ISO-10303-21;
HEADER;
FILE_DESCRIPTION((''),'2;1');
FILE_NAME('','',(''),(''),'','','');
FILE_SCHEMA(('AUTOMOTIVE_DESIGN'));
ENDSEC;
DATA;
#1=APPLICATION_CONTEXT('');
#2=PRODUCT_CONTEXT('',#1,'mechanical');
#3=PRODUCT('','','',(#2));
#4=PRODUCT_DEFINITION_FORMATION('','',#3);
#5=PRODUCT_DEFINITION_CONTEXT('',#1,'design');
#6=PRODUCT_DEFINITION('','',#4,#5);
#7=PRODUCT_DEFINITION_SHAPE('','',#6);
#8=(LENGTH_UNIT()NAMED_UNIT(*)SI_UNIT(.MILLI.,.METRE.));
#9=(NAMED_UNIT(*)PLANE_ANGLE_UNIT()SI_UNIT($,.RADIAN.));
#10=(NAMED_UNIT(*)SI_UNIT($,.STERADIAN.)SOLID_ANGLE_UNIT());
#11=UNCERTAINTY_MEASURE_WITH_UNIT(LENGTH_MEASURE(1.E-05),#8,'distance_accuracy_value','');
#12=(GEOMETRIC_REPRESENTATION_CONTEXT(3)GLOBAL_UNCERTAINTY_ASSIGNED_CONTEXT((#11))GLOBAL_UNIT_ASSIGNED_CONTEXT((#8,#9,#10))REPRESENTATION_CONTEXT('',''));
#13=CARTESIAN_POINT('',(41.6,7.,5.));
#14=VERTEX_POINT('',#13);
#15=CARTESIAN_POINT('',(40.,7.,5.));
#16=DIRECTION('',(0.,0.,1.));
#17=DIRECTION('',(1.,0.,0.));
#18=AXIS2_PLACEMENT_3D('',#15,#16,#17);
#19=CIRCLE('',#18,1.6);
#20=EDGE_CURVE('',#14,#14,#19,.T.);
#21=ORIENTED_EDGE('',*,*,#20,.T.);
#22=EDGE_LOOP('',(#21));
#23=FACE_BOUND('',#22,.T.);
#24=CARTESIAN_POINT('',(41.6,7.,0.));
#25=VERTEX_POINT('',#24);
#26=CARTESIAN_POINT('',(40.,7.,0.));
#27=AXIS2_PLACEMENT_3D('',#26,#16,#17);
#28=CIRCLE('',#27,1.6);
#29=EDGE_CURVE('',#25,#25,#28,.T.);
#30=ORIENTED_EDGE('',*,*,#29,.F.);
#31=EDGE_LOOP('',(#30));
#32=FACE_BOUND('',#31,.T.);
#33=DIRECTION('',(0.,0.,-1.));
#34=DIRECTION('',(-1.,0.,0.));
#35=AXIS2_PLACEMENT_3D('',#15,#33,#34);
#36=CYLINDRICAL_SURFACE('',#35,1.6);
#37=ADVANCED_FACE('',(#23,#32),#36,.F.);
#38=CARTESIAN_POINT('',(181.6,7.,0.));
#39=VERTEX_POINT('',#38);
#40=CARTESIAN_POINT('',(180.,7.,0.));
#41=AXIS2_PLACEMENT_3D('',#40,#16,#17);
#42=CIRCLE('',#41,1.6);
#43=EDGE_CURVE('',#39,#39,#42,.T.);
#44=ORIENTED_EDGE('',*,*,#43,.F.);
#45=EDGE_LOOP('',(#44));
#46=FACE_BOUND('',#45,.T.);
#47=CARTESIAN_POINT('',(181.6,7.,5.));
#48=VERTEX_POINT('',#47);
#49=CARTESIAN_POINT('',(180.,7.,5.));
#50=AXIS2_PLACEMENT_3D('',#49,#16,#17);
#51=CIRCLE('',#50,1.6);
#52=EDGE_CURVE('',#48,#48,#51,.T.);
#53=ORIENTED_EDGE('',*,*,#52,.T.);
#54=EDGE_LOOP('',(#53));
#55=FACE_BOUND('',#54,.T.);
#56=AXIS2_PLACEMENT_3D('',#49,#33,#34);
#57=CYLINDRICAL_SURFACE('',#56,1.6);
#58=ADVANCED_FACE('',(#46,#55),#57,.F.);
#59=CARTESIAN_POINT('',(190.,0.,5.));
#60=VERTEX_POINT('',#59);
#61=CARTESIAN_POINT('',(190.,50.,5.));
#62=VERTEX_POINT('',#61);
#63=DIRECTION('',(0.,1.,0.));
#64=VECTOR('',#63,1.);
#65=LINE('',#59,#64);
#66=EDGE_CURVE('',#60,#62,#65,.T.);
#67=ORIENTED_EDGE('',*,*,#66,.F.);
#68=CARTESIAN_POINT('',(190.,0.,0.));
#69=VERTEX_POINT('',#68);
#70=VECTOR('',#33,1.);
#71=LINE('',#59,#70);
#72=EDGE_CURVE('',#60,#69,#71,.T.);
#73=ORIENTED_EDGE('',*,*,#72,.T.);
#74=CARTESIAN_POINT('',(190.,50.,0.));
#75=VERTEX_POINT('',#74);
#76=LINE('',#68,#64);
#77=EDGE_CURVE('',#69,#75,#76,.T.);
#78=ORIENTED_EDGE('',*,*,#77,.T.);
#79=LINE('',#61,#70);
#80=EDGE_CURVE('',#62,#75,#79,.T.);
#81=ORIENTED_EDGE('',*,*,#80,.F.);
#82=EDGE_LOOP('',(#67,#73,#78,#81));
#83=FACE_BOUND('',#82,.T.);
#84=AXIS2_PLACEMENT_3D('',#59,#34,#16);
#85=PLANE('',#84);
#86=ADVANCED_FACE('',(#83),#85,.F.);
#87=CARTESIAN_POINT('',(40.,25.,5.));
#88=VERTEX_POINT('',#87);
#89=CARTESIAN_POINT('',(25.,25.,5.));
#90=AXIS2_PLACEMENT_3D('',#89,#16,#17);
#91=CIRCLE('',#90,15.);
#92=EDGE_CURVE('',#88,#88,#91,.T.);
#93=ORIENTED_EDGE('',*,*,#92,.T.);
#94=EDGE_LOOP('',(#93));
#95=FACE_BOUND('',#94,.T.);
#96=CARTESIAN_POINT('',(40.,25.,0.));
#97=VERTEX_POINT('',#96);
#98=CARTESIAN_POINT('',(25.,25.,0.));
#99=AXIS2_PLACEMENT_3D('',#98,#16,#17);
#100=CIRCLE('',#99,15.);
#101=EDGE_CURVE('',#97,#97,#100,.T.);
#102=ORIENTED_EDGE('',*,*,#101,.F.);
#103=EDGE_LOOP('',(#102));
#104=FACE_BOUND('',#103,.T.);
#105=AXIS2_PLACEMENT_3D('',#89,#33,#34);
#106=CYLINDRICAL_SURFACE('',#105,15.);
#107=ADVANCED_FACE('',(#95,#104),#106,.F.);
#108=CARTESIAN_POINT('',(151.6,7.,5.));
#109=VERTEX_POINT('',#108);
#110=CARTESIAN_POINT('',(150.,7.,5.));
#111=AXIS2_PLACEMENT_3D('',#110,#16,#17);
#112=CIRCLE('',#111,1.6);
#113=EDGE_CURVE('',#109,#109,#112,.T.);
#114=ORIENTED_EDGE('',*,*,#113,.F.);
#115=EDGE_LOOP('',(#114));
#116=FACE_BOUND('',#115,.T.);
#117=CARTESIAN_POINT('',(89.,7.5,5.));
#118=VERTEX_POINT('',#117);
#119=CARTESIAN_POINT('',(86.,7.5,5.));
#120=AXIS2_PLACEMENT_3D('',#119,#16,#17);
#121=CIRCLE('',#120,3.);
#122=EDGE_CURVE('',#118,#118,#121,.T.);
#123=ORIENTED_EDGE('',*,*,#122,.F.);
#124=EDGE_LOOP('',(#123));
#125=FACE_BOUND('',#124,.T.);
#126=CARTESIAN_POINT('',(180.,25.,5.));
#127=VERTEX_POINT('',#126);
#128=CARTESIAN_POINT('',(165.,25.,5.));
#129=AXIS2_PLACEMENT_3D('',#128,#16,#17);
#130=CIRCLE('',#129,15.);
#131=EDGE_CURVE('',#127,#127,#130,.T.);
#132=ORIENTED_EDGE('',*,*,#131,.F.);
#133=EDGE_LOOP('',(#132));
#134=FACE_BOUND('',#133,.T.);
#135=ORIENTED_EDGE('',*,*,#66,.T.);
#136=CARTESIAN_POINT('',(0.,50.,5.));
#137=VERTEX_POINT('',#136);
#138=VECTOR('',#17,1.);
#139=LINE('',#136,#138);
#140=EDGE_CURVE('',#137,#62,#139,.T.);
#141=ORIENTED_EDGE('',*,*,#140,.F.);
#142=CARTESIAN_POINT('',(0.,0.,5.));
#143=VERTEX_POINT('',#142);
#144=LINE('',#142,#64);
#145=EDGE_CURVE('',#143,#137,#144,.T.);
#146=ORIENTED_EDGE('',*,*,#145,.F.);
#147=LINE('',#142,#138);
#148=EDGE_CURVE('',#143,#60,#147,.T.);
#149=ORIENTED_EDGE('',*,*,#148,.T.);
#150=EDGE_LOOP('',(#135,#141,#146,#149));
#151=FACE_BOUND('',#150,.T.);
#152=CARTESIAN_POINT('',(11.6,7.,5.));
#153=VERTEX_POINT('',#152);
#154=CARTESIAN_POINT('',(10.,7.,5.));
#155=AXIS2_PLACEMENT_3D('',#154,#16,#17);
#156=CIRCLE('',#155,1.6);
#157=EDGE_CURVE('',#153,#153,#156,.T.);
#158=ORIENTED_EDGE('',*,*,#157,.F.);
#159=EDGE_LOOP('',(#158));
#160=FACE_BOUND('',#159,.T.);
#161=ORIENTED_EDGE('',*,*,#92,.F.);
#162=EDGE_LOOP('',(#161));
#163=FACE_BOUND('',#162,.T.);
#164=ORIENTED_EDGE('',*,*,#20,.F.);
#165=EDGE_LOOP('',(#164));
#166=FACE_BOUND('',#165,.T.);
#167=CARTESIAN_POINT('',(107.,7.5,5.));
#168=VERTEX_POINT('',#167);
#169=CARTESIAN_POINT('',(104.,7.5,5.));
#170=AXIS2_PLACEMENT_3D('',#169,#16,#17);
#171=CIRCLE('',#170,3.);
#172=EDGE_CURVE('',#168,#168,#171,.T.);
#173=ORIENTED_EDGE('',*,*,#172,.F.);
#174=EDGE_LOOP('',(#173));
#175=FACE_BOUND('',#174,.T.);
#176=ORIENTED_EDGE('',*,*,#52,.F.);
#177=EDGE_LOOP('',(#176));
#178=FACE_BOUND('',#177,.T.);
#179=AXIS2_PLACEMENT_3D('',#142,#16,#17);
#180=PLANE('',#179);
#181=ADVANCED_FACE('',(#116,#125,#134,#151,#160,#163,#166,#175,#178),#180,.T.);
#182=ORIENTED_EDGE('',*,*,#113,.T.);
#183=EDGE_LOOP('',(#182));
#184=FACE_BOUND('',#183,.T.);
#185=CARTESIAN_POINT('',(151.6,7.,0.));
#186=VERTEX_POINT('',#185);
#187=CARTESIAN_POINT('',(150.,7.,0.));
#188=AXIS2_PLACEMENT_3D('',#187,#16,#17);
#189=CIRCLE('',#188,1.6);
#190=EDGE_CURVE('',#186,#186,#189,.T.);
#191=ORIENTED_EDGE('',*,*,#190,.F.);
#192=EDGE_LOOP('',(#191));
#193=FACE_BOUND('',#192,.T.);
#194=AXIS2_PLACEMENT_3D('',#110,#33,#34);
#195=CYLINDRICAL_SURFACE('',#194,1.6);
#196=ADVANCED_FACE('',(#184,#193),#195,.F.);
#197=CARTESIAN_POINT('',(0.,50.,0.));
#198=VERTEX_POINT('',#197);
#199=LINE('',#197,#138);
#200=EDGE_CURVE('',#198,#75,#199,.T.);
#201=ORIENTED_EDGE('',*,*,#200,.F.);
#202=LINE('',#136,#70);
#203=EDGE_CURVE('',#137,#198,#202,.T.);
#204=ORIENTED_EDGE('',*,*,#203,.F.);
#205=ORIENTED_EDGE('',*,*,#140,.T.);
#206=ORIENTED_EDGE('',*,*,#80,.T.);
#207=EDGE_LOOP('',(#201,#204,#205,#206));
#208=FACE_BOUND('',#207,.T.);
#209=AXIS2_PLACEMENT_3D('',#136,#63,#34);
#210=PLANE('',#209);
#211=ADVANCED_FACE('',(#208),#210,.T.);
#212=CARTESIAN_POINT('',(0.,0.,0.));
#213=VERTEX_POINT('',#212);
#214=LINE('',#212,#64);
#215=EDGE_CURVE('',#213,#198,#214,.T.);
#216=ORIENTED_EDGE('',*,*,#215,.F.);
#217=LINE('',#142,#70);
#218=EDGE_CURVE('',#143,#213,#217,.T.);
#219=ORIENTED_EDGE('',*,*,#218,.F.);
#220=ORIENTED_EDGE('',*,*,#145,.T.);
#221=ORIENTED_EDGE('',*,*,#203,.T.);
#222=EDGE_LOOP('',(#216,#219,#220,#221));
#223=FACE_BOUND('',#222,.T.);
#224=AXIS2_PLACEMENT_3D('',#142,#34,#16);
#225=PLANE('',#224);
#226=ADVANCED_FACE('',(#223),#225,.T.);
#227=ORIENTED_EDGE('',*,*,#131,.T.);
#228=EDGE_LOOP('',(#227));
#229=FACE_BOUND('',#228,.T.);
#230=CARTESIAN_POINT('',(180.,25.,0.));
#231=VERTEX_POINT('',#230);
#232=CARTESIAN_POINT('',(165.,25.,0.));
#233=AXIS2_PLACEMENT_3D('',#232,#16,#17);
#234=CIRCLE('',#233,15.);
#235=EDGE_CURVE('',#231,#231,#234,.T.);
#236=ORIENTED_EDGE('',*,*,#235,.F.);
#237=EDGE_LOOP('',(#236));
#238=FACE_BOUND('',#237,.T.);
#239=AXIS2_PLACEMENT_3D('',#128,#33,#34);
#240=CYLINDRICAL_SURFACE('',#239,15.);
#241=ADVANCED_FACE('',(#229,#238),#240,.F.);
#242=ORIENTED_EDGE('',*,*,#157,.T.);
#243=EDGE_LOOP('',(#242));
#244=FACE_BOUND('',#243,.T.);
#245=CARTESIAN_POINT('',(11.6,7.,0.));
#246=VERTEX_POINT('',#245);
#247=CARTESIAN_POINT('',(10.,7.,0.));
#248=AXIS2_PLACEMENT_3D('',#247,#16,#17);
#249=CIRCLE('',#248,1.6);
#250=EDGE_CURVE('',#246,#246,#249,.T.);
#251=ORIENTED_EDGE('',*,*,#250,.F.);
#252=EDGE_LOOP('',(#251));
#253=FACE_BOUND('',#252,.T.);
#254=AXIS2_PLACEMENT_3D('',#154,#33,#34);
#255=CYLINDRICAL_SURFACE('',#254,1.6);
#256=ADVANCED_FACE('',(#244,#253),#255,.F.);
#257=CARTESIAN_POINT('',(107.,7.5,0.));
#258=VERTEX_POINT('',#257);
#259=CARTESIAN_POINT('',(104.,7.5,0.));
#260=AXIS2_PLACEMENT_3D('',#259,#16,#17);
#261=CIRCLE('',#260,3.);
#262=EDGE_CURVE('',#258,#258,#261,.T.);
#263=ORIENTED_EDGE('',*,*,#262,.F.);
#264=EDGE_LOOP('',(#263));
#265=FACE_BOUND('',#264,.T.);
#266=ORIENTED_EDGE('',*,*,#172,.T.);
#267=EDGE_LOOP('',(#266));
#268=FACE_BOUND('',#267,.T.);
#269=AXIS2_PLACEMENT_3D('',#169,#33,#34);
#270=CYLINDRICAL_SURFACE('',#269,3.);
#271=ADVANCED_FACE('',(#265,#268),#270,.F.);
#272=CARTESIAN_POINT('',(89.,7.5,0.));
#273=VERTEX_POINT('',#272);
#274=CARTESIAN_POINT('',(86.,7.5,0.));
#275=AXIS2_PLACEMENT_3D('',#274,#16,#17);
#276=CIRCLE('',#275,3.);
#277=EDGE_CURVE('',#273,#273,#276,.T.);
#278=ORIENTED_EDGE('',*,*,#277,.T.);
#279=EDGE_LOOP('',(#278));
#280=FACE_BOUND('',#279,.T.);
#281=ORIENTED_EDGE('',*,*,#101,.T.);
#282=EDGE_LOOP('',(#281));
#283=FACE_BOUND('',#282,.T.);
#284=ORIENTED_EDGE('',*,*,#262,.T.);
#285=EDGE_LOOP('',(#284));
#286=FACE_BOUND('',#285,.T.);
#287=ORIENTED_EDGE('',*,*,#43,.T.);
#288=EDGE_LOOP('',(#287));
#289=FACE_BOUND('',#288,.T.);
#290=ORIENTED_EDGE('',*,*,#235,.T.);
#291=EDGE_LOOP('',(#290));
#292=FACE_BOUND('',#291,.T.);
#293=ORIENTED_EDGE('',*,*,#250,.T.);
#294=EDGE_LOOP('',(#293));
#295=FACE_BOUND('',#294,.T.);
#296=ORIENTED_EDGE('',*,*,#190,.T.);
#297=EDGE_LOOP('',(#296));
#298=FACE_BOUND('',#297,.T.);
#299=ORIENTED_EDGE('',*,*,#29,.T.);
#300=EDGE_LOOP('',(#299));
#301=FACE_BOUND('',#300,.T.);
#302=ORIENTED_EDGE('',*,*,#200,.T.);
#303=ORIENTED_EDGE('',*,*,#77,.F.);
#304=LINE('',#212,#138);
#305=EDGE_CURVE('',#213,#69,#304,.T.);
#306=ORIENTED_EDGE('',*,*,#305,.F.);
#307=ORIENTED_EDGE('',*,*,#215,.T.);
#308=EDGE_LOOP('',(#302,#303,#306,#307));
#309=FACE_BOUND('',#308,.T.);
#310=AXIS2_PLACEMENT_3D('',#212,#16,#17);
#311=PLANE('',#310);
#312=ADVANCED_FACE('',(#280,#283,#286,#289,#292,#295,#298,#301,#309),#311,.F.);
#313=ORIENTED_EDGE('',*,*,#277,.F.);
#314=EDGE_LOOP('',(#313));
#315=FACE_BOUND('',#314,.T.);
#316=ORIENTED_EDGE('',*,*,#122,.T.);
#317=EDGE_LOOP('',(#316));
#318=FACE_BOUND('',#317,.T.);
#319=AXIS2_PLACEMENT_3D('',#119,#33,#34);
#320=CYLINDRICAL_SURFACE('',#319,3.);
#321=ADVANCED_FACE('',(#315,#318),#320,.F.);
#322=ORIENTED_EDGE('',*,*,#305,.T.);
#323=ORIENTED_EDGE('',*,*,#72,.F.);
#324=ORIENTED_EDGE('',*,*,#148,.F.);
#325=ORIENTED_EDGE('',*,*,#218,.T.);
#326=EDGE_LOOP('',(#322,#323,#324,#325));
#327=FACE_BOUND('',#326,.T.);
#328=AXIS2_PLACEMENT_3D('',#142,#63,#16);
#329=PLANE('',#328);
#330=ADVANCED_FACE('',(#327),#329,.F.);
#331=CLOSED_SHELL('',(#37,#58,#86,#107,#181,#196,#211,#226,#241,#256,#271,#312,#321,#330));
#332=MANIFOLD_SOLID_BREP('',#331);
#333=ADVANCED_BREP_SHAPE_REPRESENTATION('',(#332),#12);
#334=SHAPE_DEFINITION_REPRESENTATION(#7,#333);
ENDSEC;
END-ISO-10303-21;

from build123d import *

# Parameters (mm, degrees)
SKETCH1_W           = 190
SKETCH1_H           = 50
SKETCH1_R           = 15
SKETCH1_R_2         = 1.6
SKETCH1_R_3         = 3
BOSS_EXTRUDE1_DEPTH = 5


with BuildPart() as part:
    # Sketch1 → Boss-Extrude1 (new body)
    with BuildSketch(Plane.XY):
        with Locations((95, 25)):
            Rectangle(SKETCH1_W, SKETCH1_H)
        with Locations((25, 25)):
            Circle(SKETCH1_R, mode=Mode.SUBTRACT)
        with Locations((165, 25)):
            Circle(SKETCH1_R, mode=Mode.SUBTRACT)
        with Locations((40, 7)):
            Circle(SKETCH1_R_2, mode=Mode.SUBTRACT)
        with Locations((180, 7)):
            Circle(SKETCH1_R_2, mode=Mode.SUBTRACT)
        with Locations((150, 7)):
            Circle(SKETCH1_R_2, mode=Mode.SUBTRACT)
        with Locations((10, 7)):
            Circle(SKETCH1_R_2, mode=Mode.SUBTRACT)
        with Locations((86, 7.5)):
            Circle(SKETCH1_R_3, mode=Mode.SUBTRACT)
        with Locations((104, 7.5)):
            Circle(SKETCH1_R_3, mode=Mode.SUBTRACT)
    extrude(amount=BOSS_EXTRUDE1_DEPTH)


solid = part.part
